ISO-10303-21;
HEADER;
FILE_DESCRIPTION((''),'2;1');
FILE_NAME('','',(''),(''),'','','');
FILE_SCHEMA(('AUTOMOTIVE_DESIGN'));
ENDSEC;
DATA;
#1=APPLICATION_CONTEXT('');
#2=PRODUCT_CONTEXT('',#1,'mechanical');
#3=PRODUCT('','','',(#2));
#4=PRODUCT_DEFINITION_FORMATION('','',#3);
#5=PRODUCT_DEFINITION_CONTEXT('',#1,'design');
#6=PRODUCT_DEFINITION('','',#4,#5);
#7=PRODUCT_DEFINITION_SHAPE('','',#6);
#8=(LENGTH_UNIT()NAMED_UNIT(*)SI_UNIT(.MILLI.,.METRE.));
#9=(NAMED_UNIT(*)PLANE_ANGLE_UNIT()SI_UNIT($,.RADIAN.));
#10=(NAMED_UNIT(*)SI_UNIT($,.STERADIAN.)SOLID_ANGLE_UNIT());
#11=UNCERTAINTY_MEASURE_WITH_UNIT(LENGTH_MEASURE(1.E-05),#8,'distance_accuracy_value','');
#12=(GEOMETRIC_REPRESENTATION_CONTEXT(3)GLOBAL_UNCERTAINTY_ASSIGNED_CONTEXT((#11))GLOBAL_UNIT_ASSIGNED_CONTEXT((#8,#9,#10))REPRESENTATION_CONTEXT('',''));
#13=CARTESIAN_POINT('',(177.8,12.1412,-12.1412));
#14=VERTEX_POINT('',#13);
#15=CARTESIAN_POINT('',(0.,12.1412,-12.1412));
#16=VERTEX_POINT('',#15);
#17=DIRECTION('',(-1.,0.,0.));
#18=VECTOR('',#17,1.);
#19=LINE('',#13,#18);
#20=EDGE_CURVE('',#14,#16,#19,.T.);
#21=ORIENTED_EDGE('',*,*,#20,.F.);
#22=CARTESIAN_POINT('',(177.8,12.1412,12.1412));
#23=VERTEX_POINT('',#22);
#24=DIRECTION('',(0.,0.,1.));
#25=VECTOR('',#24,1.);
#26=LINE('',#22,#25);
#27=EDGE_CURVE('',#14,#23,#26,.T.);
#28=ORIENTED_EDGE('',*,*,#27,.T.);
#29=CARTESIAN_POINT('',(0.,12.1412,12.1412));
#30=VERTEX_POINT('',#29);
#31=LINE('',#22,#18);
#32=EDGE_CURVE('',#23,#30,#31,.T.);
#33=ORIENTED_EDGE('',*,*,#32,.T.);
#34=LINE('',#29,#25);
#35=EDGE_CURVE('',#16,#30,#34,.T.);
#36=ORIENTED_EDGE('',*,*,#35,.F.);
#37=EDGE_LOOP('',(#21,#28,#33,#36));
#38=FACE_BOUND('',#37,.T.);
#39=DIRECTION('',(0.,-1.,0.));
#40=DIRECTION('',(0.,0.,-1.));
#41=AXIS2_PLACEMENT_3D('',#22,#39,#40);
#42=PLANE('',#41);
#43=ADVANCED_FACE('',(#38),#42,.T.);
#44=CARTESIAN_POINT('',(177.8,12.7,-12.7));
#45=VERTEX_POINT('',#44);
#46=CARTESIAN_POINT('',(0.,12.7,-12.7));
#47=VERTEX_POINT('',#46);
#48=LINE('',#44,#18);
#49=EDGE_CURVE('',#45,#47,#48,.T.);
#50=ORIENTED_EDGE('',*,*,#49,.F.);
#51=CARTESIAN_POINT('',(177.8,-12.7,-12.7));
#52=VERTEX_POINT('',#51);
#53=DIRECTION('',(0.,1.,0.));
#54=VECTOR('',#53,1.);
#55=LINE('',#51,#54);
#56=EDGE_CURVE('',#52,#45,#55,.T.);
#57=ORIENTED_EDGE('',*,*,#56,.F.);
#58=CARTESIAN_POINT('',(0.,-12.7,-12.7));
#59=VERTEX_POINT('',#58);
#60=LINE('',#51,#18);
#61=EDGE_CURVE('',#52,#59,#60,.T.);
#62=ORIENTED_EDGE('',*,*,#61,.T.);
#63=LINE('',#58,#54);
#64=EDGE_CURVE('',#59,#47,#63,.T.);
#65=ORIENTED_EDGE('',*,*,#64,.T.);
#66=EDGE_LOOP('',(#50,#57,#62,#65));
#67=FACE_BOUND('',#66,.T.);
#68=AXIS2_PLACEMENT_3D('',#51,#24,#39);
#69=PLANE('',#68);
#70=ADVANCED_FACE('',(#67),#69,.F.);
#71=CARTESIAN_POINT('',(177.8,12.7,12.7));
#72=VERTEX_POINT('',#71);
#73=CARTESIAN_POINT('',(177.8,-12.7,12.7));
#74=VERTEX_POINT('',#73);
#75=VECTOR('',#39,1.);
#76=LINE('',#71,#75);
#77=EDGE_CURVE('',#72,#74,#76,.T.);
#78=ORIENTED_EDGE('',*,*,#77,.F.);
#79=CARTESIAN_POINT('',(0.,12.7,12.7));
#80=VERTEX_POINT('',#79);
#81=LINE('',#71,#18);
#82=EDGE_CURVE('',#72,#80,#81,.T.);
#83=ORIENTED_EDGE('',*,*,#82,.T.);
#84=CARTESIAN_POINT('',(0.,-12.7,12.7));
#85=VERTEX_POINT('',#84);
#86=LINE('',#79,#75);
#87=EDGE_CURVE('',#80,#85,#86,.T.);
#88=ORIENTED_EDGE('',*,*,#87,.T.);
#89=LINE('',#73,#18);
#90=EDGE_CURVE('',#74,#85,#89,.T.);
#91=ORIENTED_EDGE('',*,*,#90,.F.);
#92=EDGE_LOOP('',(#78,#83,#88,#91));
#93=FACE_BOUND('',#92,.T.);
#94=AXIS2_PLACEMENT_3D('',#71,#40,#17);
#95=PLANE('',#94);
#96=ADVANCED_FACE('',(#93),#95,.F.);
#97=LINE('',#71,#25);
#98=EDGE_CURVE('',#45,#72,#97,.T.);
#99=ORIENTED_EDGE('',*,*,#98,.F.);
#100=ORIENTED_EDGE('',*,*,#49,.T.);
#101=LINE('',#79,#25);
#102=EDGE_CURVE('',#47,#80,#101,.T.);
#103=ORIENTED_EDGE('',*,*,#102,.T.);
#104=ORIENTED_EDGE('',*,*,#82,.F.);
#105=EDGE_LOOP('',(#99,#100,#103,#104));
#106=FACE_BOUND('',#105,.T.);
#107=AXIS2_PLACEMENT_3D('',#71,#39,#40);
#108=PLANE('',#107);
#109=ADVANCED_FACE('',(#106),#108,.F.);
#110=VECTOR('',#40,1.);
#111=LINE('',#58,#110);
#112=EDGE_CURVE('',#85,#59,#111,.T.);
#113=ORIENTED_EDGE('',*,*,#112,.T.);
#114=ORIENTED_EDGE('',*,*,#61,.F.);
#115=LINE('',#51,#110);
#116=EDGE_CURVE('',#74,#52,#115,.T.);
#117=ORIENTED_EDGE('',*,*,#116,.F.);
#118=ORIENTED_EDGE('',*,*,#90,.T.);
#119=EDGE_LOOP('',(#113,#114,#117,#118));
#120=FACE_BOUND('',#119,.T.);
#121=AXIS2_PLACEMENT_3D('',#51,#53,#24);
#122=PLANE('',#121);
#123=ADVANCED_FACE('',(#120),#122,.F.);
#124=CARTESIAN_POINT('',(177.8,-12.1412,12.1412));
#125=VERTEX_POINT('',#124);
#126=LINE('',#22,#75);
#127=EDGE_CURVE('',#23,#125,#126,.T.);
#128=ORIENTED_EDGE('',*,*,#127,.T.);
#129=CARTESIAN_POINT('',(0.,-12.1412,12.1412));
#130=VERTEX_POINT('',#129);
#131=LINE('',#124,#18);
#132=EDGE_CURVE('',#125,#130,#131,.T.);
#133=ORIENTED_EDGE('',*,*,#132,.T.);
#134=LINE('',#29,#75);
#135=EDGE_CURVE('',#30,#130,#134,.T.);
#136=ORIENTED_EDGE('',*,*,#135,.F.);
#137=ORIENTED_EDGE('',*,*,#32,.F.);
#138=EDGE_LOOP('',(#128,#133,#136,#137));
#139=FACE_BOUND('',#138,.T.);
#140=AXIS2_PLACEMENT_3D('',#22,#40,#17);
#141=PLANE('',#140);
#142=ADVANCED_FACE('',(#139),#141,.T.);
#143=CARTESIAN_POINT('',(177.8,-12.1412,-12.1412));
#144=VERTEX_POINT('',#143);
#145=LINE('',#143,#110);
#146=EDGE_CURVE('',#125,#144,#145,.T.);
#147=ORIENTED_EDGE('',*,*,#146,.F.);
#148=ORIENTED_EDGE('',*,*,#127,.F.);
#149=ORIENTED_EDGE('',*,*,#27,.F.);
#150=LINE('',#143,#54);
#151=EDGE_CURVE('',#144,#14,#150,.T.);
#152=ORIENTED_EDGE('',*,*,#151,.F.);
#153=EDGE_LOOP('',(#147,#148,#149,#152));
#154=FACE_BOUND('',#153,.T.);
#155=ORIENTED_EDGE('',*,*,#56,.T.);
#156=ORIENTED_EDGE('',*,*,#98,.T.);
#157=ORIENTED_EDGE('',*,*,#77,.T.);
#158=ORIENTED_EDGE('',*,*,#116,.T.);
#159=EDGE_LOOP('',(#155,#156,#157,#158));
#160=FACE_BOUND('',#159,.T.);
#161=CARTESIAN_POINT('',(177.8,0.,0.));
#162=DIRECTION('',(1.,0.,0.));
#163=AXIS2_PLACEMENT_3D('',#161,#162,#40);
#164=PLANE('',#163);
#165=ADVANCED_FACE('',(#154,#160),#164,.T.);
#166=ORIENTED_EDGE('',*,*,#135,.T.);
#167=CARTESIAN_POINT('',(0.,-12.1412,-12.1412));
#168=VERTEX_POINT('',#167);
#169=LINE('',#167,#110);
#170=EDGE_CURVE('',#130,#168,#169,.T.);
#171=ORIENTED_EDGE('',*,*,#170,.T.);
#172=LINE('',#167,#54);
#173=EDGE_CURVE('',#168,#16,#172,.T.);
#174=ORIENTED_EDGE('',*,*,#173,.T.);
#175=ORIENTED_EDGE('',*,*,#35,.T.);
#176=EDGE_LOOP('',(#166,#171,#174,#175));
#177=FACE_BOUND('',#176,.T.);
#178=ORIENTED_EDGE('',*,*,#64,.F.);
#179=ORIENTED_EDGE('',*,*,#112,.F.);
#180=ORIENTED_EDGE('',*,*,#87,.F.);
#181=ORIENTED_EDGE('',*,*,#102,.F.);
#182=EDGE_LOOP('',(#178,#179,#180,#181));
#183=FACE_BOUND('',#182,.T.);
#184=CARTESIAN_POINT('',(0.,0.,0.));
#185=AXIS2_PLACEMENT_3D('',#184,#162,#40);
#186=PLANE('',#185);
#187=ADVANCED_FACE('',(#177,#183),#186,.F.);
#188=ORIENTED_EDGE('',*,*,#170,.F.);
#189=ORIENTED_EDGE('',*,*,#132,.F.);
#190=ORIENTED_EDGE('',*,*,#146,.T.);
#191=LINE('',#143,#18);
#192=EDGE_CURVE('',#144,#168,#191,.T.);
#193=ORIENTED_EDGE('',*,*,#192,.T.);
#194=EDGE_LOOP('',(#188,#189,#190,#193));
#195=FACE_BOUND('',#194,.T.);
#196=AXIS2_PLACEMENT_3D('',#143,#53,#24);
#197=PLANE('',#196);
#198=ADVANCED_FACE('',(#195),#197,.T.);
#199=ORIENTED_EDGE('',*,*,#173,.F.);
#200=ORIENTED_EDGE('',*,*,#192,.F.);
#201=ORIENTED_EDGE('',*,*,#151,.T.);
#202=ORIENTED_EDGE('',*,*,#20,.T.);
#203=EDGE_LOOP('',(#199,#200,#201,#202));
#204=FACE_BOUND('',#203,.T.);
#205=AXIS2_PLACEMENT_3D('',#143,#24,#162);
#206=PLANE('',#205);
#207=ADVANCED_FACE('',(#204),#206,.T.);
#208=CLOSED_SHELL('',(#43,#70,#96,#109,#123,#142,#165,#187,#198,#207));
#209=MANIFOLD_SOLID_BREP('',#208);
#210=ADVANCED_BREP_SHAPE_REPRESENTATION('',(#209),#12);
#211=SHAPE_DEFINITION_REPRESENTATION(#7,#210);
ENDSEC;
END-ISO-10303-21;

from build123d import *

# Parameters (mm, degrees)
SKETCH11_W                             = 25.4
SKETCH11_H                             = 25.4
SKETCH11_W_2                           = 24.2824
SKETCH11_H_2                           = 24.2824
AL_TUBE_SQUARE_1_SQ_X_022_WALL_5_DEPTH = 177.8


with BuildPart() as part:
    # Sketch11 → Al tube (square) 1 SQ X .022 WALL(5) (new body)
    with BuildSketch(Plane.YZ):
        Rectangle(SKETCH11_W, SKETCH11_H)
        Rectangle(SKETCH11_W_2, SKETCH11_H_2, mode=Mode.SUBTRACT)
    extrude(amount=AL_TUBE_SQUARE_1_SQ_X_022_WALL_5_DEPTH)


solid = part.part
